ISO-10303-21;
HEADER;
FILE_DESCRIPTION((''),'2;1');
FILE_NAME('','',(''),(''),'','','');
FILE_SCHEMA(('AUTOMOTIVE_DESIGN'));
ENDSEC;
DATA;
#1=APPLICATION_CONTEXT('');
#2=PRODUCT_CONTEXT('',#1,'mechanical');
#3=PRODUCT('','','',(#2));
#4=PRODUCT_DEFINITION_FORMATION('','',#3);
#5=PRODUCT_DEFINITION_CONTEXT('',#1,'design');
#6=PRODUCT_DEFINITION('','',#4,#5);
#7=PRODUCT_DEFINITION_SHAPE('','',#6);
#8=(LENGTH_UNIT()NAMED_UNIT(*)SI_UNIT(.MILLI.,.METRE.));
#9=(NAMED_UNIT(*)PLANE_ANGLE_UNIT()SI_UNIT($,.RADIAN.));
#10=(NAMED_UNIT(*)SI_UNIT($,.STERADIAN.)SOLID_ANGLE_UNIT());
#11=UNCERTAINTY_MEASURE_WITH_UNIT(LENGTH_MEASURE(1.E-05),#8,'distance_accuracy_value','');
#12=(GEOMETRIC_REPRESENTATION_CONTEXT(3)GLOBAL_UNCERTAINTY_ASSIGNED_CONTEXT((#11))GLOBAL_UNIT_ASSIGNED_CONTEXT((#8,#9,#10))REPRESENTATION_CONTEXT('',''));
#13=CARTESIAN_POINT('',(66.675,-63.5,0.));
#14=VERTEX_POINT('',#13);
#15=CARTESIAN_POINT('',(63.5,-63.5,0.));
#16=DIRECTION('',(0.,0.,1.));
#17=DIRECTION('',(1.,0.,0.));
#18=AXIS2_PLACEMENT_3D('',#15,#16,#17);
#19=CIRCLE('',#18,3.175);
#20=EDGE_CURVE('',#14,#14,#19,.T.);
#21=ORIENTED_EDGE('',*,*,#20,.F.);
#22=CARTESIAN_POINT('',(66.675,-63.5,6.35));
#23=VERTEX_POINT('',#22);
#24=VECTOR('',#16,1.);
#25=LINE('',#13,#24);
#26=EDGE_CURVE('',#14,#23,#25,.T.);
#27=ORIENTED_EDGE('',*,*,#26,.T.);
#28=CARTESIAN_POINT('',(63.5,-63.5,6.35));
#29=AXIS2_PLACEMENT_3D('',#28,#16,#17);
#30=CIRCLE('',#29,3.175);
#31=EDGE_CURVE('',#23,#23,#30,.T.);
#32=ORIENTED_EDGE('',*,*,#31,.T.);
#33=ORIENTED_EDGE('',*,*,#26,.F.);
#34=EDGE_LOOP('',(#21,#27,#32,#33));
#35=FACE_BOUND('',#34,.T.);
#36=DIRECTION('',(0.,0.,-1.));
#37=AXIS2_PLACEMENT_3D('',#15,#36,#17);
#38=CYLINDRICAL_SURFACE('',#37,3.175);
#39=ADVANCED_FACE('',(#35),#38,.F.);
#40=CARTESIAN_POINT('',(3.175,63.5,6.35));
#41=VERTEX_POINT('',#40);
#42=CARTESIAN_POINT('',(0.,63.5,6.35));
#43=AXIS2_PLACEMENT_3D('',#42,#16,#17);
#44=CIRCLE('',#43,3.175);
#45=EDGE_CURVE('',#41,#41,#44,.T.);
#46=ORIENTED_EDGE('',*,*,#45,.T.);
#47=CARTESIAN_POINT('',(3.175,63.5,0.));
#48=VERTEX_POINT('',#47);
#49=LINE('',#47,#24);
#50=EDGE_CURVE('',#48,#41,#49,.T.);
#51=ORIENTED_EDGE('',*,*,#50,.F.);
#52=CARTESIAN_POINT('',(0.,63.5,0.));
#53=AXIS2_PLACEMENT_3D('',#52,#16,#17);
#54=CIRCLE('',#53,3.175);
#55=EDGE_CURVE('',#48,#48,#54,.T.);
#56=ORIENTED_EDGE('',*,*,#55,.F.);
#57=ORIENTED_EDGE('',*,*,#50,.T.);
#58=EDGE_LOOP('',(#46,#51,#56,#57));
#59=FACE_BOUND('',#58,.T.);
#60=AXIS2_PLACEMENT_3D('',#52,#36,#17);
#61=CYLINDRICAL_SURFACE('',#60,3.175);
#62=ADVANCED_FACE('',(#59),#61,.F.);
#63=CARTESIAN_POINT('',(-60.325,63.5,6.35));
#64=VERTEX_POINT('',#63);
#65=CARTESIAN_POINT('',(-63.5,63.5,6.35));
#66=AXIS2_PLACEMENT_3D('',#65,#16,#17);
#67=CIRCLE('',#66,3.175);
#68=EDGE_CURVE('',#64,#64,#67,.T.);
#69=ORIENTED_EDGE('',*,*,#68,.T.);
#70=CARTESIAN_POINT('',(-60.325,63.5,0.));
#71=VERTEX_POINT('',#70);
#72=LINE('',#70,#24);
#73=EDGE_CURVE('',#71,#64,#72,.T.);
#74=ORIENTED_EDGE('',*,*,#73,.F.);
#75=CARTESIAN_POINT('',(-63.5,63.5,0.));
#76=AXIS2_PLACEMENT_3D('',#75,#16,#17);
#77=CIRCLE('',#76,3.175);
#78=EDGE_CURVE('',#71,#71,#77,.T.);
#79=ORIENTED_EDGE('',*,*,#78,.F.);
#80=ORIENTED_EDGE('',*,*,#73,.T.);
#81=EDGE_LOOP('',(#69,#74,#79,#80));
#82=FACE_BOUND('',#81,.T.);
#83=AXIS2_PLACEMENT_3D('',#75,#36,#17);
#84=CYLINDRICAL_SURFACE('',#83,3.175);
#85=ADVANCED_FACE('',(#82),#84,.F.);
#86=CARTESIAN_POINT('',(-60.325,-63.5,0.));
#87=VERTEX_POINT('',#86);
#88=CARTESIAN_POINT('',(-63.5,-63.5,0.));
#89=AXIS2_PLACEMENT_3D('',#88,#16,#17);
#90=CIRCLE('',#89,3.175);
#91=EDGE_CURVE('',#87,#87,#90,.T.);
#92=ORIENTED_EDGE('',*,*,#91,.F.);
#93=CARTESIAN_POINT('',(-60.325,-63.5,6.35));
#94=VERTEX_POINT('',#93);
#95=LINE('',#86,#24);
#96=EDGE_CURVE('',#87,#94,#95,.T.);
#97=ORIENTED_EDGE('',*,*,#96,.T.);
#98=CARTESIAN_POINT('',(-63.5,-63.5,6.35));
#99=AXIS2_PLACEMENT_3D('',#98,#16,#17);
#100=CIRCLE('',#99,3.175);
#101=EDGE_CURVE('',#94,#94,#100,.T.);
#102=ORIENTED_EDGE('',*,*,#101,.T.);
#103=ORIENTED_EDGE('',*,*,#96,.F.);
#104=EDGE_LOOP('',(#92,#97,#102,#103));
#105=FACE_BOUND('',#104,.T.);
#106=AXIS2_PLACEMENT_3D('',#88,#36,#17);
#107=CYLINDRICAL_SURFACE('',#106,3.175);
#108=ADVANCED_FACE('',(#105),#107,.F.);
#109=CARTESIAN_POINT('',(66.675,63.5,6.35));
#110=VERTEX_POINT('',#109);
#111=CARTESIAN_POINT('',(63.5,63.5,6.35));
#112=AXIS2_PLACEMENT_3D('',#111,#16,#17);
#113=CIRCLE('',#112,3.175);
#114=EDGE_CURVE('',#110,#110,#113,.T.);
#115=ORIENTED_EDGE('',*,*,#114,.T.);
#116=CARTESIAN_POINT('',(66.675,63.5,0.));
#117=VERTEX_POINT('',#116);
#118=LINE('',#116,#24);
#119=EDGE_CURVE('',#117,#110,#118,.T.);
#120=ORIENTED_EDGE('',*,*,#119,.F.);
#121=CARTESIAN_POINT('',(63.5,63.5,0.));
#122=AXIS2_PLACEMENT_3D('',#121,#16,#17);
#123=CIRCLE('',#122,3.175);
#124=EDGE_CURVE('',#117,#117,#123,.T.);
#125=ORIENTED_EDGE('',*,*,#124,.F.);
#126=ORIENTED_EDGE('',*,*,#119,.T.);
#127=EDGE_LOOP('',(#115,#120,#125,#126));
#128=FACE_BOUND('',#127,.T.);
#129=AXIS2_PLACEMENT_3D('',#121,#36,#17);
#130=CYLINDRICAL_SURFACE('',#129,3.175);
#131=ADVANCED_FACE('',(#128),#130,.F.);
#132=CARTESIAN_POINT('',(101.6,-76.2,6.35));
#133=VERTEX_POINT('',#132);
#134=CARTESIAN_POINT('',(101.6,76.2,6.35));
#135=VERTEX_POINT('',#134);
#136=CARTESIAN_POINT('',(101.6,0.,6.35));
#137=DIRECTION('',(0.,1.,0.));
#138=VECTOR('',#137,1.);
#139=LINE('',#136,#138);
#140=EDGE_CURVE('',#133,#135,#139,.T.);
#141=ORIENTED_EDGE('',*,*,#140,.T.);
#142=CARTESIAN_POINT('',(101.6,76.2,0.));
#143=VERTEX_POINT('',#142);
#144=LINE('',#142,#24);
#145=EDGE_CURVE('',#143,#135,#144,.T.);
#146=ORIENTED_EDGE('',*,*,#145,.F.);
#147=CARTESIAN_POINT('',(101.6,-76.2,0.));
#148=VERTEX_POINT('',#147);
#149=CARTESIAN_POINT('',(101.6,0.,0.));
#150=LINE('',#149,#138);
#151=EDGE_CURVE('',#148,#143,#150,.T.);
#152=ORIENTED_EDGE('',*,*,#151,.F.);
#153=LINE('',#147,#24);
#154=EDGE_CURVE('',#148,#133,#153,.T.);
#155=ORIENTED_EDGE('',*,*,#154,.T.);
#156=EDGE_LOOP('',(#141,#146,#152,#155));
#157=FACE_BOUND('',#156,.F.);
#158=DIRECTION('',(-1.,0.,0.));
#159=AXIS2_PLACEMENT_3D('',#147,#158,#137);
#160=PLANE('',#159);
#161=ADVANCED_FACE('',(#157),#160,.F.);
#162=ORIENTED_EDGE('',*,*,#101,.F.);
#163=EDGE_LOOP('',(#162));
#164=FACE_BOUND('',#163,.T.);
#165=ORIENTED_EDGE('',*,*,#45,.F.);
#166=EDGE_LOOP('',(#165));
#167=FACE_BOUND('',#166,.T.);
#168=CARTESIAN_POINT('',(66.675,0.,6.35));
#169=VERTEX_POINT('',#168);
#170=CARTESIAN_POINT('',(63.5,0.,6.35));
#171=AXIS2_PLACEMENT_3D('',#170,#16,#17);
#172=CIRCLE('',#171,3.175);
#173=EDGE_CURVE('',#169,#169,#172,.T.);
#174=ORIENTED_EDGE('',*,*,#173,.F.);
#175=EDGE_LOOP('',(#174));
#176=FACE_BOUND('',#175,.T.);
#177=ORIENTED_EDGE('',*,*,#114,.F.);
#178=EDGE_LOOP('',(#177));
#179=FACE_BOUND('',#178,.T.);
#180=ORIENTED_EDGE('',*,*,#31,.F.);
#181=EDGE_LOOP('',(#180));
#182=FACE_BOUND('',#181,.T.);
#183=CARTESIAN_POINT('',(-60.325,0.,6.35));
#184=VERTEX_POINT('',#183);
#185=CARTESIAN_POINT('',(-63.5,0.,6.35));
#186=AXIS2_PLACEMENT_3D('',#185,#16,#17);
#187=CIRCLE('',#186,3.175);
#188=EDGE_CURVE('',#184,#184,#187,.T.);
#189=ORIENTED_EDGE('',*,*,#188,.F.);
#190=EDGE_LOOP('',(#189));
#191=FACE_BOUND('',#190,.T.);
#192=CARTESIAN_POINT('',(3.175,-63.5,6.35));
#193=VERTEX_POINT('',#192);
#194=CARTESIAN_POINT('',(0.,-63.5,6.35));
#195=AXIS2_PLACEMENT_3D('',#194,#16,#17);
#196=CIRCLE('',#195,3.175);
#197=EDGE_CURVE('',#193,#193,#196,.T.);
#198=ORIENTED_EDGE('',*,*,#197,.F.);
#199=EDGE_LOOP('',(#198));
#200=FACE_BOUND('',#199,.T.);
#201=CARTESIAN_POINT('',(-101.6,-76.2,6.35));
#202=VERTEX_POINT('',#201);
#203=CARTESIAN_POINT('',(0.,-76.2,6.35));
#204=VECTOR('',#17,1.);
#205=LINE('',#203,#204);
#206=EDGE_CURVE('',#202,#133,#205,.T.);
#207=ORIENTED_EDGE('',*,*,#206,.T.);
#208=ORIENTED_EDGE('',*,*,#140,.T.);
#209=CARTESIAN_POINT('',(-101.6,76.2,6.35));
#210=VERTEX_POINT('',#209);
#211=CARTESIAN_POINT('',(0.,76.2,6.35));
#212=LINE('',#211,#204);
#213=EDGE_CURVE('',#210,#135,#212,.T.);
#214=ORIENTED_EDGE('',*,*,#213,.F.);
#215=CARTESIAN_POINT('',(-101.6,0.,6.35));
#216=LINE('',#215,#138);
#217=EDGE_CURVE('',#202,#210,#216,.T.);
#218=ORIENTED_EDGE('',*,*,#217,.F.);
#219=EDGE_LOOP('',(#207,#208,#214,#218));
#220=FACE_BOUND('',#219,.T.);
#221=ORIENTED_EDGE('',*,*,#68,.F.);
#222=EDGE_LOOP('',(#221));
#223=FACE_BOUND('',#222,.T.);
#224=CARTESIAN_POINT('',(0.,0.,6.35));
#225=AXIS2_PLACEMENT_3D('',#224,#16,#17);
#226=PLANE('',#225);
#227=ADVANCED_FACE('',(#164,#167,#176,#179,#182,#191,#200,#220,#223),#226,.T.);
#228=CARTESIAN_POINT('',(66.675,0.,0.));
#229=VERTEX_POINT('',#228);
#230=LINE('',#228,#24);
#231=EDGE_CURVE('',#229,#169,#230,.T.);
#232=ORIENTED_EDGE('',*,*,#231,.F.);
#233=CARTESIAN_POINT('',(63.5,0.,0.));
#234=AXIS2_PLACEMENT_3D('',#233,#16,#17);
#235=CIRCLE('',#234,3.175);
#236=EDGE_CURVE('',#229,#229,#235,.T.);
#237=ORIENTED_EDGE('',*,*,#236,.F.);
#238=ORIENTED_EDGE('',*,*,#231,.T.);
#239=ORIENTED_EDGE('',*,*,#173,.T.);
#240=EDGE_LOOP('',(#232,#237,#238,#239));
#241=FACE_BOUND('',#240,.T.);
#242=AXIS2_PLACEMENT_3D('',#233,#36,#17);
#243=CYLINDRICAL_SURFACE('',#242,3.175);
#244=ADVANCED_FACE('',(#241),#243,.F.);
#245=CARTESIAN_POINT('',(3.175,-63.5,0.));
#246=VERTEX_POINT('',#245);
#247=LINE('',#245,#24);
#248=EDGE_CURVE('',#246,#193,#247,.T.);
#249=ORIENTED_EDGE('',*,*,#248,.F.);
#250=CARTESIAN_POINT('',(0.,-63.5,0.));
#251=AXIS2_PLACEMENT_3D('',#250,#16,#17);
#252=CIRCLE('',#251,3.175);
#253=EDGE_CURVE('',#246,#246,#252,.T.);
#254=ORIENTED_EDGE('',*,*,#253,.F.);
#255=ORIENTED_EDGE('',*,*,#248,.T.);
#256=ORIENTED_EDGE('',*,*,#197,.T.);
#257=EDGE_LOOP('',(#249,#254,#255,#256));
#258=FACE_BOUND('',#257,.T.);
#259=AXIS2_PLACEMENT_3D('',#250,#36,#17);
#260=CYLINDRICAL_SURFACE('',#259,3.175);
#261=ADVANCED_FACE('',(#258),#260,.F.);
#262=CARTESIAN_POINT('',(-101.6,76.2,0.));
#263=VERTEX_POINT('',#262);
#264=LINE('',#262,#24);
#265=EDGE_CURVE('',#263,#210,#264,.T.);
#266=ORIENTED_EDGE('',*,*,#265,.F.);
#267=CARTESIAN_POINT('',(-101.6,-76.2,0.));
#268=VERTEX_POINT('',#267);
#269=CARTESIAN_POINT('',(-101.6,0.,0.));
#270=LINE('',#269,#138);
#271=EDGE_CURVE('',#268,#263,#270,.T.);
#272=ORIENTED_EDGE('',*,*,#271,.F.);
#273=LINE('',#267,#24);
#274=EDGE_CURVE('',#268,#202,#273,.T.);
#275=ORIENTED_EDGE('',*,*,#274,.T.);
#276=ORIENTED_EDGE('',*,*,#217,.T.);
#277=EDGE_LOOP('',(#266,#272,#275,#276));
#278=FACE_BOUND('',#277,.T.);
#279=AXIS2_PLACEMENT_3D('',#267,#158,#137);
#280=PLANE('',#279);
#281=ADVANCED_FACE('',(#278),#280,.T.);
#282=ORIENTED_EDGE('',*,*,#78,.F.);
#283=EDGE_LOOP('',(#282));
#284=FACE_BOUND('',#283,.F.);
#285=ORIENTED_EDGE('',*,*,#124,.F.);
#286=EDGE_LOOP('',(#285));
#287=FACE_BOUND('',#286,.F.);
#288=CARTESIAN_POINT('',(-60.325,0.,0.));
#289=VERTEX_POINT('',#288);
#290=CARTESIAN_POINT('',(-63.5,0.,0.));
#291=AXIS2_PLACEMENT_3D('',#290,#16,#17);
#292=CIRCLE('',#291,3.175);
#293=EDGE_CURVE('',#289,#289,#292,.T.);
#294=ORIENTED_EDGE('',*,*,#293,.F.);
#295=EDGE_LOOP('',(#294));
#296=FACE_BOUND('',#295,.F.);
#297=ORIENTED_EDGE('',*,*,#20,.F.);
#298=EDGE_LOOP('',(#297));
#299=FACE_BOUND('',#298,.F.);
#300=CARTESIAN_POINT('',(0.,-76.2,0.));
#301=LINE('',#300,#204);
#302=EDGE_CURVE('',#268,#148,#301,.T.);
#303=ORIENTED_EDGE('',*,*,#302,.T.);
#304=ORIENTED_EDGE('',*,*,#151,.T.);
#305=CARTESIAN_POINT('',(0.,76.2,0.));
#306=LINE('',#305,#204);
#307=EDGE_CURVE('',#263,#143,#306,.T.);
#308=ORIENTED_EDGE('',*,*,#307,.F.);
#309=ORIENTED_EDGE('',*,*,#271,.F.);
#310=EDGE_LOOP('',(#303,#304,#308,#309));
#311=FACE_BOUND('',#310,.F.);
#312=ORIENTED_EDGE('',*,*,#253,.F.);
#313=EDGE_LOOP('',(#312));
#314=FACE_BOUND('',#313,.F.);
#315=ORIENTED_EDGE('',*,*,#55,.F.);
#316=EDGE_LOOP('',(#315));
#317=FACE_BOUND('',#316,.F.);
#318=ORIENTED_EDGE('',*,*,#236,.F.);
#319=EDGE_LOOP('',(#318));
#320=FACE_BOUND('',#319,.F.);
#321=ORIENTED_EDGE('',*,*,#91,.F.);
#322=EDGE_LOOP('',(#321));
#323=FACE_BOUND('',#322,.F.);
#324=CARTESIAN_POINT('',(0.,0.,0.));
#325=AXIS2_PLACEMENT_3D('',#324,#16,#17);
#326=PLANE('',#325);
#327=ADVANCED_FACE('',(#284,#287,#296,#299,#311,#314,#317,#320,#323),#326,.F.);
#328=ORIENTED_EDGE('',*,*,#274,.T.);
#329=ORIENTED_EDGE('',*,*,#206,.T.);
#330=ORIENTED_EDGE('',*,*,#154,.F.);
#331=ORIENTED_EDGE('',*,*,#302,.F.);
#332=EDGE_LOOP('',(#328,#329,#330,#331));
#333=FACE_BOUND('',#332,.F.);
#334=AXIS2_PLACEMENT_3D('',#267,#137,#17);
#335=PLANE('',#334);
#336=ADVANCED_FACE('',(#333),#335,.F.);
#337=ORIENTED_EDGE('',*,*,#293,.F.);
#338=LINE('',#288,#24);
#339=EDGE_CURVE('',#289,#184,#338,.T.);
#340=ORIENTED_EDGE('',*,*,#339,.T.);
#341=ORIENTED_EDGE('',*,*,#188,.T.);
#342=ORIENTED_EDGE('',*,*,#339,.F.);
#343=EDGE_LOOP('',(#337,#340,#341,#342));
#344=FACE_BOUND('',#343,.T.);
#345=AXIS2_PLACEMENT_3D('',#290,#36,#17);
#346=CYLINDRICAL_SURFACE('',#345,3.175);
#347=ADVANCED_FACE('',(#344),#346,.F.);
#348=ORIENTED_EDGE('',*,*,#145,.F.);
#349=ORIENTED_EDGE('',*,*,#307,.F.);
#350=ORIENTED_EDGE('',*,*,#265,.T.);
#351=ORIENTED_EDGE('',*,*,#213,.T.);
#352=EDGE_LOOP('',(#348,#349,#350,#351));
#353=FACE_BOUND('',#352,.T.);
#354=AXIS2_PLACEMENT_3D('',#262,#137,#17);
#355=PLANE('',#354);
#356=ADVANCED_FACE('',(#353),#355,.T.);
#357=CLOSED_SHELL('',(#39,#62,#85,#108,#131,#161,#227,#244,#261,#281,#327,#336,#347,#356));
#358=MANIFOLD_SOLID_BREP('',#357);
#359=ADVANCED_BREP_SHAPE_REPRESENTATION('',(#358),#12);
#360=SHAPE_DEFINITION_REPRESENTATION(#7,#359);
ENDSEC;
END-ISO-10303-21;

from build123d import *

# Parameters (mm, degrees)
F0_W     = 203.2
F0_H     = 152.4
F0_R     = 3.175
F1_DEPTH = 6.35


with BuildPart() as f1:
    # F0 (on Top) → F1 (new body)
    with BuildSketch(Plane.XY):
        Rectangle(F0_W, F0_H)
        with Locations((-63.5, -63.5)):
            Circle(F0_R, mode=Mode.SUBTRACT)
        with Locations((0, -63.5)):
            Circle(F0_R, mode=Mode.SUBTRACT)
        with Locations((63.5, -63.5)):
            Circle(F0_R, mode=Mode.SUBTRACT)
        with Locations((-63.5, 0)):
            Circle(F0_R, mode=Mode.SUBTRACT)
        with Locations((-63.5, 63.5)):
            Circle(F0_R, mode=Mode.SUBTRACT)
        with Locations((0, 63.5)):
            Circle(F0_R, mode=Mode.SUBTRACT)
        with Locations((63.5, 0)):
            Circle(F0_R, mode=Mode.SUBTRACT)
        with Locations((63.5, 63.5)):
            Circle(F0_R, mode=Mode.SUBTRACT)
    extrude(amount=F1_DEPTH)


solid = f1.part
